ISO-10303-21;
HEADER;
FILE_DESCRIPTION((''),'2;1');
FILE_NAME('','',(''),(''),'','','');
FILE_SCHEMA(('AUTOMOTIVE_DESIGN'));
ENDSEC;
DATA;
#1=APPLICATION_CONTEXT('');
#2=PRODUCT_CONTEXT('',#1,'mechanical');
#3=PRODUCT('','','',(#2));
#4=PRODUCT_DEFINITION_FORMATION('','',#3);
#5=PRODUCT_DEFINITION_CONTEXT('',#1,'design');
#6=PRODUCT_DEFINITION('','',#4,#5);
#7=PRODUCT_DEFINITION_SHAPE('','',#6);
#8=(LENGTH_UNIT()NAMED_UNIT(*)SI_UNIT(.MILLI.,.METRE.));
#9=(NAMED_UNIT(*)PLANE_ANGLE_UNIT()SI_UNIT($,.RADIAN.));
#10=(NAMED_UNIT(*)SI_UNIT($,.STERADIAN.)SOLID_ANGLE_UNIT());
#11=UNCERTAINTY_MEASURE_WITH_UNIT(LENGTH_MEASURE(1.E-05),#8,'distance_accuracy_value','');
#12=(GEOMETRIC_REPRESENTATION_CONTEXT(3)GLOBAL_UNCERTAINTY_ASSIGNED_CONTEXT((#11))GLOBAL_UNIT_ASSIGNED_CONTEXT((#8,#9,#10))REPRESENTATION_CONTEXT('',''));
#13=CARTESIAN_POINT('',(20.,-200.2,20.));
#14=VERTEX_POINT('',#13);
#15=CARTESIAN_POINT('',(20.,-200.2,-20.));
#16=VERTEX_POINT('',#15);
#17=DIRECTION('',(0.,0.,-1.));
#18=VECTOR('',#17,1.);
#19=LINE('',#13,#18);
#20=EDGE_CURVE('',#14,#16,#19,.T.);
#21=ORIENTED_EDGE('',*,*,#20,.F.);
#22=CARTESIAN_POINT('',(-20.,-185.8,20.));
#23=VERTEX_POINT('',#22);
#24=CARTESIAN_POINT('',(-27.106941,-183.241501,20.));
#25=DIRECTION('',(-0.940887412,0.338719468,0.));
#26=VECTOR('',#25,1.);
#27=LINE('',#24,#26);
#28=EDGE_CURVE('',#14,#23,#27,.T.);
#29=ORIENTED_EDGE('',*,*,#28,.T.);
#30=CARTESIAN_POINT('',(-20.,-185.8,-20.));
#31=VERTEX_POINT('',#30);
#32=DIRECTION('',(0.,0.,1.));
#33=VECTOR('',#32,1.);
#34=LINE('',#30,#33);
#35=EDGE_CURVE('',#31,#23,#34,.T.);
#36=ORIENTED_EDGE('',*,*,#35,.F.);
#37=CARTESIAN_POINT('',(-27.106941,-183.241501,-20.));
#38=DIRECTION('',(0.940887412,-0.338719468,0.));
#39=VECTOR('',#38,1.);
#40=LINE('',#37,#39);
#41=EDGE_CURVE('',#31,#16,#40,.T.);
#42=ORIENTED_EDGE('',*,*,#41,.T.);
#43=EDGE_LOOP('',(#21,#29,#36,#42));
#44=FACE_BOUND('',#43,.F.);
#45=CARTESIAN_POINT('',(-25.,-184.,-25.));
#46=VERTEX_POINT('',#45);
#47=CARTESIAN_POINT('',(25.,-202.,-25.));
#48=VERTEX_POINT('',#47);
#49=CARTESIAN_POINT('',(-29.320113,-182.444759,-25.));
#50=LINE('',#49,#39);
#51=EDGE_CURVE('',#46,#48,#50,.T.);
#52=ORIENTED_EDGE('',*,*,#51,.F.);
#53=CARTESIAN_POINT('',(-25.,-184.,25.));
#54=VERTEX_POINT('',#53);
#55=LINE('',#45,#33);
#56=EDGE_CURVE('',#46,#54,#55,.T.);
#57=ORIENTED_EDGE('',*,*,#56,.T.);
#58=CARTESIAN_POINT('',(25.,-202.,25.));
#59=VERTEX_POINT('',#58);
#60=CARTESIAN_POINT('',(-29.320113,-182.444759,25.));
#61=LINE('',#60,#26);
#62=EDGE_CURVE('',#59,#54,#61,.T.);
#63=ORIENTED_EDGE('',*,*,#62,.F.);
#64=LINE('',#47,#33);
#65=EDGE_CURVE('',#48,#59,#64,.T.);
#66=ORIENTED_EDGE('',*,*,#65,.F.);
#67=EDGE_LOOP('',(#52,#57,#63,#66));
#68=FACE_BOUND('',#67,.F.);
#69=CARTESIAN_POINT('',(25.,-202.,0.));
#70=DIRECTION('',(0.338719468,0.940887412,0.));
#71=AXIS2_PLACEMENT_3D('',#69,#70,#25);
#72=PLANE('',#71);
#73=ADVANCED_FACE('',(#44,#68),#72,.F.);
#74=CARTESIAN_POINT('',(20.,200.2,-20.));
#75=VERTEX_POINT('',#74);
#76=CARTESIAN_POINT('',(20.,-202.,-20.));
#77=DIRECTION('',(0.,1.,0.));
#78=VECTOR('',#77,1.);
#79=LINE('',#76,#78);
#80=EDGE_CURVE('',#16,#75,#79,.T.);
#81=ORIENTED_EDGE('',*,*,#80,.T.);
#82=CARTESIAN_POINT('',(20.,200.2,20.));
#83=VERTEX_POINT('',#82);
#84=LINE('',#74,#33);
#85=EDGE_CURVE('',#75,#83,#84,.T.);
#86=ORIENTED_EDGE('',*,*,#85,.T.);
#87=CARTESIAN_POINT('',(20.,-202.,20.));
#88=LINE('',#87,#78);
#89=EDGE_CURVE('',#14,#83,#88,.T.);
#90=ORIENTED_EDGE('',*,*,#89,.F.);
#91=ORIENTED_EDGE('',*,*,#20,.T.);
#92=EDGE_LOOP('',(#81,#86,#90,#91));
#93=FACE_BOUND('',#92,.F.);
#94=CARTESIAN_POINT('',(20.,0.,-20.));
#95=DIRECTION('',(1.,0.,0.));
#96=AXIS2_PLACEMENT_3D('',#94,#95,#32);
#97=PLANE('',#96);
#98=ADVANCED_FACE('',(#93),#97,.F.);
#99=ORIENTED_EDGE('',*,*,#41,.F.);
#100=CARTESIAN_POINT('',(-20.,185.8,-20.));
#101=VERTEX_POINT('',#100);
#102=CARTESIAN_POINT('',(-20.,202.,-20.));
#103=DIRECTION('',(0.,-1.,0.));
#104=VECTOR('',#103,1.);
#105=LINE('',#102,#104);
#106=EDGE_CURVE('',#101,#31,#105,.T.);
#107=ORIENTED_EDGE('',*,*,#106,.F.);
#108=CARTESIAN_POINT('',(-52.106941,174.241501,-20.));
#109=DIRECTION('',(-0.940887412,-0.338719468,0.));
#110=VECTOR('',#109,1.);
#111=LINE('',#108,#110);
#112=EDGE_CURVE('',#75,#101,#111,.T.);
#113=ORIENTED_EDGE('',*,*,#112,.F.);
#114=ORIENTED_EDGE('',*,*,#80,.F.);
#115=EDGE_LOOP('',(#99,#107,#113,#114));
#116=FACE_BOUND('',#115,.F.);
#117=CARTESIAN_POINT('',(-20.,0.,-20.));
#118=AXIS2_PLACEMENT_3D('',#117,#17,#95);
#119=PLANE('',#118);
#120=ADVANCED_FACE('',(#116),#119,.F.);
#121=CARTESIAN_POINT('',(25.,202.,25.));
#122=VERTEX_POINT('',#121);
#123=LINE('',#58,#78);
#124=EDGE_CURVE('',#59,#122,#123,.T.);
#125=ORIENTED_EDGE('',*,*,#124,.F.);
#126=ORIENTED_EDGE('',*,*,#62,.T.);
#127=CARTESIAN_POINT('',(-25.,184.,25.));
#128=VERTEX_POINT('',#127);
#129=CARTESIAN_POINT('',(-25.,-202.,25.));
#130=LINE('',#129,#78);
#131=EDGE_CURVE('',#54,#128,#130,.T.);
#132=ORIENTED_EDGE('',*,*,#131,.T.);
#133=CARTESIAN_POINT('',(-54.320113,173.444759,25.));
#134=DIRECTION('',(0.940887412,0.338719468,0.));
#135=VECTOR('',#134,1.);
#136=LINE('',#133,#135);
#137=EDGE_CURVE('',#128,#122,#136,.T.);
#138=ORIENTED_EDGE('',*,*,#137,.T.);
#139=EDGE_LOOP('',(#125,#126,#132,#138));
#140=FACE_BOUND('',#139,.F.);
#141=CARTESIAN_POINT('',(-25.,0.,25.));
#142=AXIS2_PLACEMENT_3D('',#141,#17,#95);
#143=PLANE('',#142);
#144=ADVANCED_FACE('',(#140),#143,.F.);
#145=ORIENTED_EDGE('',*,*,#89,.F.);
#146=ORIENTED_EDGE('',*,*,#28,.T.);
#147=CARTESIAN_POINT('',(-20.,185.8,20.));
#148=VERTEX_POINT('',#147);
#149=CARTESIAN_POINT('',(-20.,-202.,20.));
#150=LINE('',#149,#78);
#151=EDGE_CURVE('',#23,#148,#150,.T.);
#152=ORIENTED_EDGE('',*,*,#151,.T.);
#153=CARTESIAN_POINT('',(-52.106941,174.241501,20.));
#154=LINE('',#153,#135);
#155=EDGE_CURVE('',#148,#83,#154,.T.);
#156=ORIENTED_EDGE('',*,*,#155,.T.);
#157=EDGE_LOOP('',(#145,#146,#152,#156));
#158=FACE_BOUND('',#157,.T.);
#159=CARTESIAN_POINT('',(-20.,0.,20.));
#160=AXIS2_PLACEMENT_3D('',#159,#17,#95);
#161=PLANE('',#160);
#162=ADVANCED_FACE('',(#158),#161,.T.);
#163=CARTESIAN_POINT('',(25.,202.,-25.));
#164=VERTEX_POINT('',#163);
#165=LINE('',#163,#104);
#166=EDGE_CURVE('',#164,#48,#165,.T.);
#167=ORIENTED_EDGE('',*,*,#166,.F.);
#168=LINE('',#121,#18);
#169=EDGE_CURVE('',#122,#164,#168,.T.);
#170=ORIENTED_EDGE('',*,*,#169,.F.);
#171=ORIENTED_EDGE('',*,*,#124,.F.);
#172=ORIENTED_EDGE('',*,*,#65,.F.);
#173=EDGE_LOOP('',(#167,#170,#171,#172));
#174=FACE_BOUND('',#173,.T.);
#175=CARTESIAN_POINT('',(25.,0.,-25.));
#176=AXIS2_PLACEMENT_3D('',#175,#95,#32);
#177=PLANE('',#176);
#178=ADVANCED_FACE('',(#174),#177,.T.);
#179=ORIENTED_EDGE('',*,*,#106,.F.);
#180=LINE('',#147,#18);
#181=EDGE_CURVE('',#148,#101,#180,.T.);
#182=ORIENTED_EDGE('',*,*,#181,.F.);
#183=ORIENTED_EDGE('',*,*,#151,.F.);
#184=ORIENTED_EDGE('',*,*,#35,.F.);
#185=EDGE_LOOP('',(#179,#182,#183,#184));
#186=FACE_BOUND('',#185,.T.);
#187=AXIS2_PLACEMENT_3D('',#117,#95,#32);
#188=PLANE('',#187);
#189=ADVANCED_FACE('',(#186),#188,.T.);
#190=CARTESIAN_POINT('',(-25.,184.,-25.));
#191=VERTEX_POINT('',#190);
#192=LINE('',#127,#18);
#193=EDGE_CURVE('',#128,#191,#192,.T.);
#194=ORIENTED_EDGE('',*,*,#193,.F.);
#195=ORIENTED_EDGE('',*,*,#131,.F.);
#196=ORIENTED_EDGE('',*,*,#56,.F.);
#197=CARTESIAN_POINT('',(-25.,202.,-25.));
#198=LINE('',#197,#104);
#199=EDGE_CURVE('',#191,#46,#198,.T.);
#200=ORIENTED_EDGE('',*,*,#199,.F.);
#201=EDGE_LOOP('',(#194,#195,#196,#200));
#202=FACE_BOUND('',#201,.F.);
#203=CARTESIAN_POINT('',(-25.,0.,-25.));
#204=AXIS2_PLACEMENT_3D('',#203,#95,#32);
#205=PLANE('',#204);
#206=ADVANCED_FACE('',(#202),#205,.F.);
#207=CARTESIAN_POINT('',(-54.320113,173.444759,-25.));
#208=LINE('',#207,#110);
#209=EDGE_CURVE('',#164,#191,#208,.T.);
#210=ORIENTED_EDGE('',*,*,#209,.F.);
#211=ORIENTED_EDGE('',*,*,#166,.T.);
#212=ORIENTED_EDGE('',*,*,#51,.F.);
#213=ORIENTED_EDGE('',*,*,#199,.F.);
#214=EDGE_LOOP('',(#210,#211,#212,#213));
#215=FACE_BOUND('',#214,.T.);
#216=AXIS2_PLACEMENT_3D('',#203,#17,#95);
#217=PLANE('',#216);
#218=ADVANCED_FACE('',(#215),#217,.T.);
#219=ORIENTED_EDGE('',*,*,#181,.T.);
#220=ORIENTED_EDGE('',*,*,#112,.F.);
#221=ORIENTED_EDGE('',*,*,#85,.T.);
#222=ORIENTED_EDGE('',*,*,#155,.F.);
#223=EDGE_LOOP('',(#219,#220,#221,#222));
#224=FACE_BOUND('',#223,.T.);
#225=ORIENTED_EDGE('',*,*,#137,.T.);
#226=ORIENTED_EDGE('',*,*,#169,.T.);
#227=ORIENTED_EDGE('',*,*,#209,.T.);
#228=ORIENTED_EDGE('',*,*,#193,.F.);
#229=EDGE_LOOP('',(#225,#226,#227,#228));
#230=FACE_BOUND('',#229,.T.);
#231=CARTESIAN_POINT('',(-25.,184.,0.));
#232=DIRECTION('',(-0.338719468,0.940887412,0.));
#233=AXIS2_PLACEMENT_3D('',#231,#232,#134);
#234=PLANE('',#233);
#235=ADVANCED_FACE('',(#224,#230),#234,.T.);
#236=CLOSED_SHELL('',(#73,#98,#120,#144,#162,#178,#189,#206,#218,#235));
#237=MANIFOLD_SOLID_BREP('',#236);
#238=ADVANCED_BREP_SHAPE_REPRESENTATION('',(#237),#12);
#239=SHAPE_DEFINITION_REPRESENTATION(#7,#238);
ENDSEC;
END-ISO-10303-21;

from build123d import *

# Parameters (mm, degrees)
F0_W          = 50
F0_H          = 50
F0_W_2        = 40
F0_H_2        = 40
F1_DEPTH      = 202
F3_DEPTH      = 25.001
F3_DEPTH_BACK = 25.001


with BuildPart() as f1:
    # F0 (on Front) → F1 (new body, symmetric)
    with BuildSketch(Plane.XZ):
        Rectangle(F0_W, F0_H)
        Rectangle(F0_W_2, F0_H_2, mode=Mode.SUBTRACT)
    extrude(amount=F1_DEPTH, both=True)

    # F2 (on Top) → F3 (cut, two sides)
    with BuildSketch(Plane.XY) as f3_sk:
        Polygon((-25, 184), (25, 202), (-25, 202), align=None)
        Polygon((-25, -202), (25, -202), (-25, -184), align=None)
    extrude(amount=-F3_DEPTH, mode=Mode.SUBTRACT)
    extrude(f3_sk.sketch, amount=F3_DEPTH_BACK, mode=Mode.SUBTRACT)


solid = f1.part
